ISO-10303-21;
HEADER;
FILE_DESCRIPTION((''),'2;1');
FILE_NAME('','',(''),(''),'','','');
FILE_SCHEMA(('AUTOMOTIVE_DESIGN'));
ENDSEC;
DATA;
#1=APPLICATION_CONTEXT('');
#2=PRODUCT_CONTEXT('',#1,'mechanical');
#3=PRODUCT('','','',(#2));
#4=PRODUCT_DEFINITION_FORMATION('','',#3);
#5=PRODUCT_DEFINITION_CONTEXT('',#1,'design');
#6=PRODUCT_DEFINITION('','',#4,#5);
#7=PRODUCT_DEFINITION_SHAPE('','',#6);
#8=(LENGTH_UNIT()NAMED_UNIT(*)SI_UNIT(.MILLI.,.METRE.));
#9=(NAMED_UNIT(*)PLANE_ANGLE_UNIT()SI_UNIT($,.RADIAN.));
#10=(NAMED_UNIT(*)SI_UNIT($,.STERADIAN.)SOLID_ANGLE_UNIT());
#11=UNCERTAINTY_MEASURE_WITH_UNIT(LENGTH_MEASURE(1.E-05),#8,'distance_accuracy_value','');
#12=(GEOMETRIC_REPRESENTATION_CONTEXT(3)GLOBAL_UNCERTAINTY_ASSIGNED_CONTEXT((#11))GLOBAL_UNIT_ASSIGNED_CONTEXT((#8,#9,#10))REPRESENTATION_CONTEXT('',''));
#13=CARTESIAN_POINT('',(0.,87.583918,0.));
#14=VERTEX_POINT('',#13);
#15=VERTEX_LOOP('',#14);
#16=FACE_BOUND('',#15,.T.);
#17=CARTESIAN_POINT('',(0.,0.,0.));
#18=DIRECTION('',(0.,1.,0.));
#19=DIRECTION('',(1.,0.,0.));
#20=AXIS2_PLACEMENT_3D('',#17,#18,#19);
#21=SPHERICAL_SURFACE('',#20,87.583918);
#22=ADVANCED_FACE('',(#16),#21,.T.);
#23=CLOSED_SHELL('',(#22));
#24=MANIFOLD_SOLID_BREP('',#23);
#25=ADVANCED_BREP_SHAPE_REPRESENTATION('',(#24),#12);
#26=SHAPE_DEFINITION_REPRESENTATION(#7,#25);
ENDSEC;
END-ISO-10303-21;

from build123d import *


with BuildPart() as part:
    # Sketch1 → Revolve1 (revolve)
    with BuildSketch(Plane.XY):
        with BuildLine():
            Line((0, 87.583918356), (0, -87.583918356))
            ThreePointArc((0, -87.583918356), (-87.583918356, 0), (0, 87.583918356))
        make_face()
    revolve(axis=Axis((0, 87.583918356, 0), (0, -1, 0)))


solid = part.part
